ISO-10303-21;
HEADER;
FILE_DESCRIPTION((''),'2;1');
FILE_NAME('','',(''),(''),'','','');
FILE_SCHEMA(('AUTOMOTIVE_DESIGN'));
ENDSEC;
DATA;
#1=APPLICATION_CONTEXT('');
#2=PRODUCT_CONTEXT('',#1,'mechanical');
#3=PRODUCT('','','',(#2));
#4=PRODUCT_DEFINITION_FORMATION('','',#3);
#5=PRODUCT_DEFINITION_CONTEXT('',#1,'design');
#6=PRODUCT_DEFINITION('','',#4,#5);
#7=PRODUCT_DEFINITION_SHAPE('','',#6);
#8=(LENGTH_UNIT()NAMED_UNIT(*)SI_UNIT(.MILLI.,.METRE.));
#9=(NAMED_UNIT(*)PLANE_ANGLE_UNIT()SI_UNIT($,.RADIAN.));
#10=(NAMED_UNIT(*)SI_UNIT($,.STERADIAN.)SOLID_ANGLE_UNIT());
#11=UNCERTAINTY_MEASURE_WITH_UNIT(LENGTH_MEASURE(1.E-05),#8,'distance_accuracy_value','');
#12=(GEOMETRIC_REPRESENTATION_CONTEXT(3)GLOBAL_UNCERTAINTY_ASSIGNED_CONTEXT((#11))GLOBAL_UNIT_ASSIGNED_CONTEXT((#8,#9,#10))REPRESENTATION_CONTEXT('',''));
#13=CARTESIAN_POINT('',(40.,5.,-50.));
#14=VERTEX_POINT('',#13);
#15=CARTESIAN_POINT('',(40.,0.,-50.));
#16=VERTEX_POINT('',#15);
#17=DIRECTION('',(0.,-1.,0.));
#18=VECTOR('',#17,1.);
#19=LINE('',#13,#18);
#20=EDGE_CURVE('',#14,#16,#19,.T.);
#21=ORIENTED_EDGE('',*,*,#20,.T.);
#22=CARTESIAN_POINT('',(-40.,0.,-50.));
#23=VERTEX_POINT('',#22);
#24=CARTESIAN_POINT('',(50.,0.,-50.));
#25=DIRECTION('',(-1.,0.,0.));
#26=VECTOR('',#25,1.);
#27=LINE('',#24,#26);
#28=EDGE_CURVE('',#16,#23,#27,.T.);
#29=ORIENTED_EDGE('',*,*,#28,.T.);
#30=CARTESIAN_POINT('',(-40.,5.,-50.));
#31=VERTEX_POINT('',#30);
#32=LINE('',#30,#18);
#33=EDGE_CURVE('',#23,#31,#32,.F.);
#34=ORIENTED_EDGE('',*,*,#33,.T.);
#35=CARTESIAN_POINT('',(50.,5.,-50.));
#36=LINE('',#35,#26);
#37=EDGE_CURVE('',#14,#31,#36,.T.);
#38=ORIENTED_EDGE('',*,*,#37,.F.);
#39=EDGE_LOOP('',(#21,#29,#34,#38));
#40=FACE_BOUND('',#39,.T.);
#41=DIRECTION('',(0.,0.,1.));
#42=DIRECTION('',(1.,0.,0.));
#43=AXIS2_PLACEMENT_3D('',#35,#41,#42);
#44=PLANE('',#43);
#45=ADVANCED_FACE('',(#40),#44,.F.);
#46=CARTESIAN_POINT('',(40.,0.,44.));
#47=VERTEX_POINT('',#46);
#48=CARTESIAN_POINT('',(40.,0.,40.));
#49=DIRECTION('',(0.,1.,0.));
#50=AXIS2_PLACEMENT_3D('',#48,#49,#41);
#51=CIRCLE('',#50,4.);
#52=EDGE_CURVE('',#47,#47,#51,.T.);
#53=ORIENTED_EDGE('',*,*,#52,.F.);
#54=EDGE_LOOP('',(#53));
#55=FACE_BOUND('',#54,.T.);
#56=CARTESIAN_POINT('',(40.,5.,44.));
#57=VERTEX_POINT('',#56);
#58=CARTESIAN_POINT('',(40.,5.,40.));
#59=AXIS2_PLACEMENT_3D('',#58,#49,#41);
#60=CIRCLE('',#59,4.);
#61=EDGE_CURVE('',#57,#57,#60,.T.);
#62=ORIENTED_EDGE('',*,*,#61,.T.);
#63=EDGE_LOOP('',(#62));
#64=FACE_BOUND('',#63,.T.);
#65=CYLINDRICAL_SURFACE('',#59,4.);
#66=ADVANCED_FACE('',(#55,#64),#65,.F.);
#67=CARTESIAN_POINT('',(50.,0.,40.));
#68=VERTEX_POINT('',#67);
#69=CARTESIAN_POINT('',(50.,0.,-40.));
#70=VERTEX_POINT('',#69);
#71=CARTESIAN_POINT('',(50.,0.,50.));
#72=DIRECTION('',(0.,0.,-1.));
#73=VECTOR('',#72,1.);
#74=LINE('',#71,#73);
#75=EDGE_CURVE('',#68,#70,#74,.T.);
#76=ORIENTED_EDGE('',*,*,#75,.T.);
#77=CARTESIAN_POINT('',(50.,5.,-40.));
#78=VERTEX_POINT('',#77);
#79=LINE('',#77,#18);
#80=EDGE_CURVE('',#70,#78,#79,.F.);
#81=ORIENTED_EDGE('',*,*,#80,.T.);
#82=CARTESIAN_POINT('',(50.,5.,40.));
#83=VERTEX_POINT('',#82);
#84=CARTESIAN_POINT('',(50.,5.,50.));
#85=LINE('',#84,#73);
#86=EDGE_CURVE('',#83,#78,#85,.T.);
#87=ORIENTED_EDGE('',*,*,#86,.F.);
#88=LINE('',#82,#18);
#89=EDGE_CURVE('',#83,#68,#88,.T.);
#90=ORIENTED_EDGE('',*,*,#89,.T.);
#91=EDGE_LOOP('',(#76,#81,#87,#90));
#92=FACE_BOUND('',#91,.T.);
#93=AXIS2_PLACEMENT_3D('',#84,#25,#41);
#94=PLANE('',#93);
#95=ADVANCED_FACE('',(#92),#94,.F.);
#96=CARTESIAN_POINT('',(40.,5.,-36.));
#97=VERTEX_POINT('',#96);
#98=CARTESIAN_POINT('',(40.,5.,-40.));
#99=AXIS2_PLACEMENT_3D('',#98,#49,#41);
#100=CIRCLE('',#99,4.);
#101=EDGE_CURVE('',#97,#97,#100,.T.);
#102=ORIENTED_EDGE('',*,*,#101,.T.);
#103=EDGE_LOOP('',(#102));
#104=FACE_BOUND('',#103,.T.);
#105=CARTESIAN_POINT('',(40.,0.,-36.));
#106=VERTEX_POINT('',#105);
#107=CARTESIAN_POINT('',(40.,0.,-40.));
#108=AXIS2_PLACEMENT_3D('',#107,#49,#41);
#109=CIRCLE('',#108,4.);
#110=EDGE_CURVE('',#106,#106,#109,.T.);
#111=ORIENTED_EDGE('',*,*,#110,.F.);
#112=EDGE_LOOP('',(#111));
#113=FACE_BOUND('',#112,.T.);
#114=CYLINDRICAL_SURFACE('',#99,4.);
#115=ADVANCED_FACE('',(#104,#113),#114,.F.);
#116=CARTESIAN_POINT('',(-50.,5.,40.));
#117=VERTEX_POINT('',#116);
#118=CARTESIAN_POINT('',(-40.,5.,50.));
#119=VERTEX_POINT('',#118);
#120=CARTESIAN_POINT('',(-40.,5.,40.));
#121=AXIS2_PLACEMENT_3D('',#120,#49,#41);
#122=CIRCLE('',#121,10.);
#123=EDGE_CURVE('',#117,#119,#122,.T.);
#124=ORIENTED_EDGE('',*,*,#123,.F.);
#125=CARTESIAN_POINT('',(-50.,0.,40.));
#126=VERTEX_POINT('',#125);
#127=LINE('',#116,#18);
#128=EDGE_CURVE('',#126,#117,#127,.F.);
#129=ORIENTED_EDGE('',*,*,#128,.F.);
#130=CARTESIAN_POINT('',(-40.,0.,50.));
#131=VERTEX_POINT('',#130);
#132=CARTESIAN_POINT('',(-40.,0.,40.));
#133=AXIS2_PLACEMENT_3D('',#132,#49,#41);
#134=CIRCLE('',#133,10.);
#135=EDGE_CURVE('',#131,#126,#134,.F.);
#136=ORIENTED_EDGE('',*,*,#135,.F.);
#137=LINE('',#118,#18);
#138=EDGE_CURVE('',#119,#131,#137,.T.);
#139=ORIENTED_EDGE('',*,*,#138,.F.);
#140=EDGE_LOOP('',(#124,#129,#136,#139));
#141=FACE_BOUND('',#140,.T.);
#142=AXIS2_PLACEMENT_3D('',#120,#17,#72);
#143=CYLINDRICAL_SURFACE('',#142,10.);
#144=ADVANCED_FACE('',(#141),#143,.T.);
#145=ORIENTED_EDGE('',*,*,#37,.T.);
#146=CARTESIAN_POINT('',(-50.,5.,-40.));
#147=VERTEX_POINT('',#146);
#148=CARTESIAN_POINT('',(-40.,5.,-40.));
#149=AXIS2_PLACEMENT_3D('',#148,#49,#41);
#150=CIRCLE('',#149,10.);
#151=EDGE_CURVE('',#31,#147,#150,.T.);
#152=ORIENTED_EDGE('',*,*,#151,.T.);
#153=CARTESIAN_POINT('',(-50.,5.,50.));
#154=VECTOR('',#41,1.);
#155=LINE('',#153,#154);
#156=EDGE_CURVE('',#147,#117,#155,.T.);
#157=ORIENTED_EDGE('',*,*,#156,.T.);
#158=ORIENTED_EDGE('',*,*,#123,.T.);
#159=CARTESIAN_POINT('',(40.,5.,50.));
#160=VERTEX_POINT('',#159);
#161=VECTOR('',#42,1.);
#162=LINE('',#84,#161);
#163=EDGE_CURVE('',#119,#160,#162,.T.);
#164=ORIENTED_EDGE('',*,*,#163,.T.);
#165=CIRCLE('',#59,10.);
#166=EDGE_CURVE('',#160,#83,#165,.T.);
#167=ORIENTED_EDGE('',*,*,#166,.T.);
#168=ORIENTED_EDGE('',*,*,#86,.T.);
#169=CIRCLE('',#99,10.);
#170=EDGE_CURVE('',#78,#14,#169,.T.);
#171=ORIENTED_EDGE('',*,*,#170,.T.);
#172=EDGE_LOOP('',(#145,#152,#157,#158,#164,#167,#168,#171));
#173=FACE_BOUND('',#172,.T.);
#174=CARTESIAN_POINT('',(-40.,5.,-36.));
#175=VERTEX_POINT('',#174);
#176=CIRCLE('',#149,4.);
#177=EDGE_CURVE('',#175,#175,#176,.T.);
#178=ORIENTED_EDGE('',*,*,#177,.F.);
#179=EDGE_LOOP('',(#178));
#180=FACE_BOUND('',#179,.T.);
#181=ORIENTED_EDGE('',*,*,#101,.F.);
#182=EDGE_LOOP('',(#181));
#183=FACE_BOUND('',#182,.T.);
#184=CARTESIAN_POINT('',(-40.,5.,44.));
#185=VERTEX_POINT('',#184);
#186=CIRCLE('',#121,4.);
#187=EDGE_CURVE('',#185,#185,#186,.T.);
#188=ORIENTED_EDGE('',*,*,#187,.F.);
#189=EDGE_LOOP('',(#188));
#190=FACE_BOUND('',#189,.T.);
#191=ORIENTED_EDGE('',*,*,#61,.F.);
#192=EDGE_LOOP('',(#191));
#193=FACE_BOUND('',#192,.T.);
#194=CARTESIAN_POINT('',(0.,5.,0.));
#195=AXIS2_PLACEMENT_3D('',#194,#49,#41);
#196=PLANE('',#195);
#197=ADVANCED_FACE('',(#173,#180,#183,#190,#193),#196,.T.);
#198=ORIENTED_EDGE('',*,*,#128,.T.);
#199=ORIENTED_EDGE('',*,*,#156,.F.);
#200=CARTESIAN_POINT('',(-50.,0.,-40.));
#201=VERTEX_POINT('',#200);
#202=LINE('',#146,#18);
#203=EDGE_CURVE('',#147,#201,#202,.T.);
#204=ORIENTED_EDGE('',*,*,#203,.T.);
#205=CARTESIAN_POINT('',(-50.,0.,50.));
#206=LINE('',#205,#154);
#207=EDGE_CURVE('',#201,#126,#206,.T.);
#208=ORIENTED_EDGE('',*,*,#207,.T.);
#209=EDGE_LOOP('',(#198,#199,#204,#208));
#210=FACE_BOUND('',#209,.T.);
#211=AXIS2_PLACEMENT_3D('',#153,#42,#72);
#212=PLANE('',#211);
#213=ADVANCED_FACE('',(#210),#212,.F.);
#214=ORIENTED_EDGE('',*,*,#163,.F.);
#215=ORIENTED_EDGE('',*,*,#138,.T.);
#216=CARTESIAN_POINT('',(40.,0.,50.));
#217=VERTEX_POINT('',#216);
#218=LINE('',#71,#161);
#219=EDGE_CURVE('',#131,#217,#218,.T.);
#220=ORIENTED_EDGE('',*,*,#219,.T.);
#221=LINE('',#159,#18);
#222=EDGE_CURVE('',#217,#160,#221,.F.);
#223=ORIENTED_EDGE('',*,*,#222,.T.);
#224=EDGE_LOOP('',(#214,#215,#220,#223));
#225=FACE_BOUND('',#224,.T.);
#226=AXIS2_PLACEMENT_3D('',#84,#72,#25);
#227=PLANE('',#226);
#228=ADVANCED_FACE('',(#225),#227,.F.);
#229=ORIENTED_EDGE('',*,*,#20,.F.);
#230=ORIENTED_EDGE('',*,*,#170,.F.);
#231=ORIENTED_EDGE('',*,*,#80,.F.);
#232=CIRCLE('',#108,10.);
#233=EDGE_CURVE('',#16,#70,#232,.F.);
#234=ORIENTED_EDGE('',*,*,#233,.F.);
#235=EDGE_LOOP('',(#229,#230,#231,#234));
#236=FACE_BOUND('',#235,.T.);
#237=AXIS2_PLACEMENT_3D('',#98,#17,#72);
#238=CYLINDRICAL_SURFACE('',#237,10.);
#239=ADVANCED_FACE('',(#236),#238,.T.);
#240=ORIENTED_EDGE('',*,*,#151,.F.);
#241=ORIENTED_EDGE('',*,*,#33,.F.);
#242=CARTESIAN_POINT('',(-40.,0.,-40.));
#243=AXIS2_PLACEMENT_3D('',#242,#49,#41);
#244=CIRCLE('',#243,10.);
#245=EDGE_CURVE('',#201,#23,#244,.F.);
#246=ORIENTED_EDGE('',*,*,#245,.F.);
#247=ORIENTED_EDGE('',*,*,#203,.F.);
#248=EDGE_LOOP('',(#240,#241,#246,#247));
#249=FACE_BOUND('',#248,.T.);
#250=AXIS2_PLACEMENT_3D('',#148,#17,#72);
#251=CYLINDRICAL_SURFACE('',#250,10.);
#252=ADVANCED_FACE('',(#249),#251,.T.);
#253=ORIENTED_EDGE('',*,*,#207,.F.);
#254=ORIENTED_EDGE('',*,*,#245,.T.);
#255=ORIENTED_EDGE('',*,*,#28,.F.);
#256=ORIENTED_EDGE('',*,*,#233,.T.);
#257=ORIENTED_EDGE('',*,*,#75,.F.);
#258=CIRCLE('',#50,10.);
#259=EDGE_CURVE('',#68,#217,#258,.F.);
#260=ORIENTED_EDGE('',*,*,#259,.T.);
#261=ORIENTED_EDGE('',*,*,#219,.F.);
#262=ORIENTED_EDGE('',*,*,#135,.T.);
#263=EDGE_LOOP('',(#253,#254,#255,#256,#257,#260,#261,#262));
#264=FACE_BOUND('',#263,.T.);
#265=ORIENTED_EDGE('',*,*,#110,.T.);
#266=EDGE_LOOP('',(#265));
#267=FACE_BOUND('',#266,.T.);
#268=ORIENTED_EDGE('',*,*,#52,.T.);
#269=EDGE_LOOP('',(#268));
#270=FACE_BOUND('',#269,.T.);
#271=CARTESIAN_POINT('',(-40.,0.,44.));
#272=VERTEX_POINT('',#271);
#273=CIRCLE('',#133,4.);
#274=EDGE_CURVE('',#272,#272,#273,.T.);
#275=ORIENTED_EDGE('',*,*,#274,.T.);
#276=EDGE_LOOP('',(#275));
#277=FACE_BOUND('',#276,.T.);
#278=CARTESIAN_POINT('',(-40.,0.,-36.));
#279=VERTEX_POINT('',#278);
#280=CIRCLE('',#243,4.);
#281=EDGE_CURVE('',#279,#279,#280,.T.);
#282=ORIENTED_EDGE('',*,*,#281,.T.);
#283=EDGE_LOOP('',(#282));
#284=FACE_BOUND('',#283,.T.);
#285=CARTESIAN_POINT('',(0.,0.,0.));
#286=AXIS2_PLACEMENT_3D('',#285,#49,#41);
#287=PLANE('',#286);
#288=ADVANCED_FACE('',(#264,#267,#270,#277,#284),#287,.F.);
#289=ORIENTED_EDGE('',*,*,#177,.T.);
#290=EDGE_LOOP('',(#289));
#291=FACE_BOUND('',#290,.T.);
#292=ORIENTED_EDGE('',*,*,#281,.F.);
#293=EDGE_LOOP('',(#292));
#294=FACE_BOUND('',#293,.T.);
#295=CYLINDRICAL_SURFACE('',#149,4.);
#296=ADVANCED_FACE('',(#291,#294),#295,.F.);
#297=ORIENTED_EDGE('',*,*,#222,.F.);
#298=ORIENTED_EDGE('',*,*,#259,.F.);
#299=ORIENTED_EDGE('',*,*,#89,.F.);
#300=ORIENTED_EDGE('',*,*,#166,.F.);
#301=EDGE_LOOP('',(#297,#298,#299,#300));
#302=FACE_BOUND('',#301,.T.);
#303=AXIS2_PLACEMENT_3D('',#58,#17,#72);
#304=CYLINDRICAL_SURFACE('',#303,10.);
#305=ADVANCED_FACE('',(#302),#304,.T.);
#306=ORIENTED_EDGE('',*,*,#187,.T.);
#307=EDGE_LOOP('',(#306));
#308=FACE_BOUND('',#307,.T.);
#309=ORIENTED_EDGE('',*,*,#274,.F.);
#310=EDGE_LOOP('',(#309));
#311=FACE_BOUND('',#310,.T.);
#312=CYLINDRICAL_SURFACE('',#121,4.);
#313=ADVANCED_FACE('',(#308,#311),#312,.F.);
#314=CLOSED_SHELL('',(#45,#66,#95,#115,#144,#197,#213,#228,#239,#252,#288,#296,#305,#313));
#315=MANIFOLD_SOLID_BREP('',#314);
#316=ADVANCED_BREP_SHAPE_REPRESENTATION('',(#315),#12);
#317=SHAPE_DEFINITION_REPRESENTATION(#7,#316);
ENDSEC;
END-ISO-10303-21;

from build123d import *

# Parameters (mm, degrees)
SKETCH1_W                 = 100
SKETCH1_H                 = 100
BOSS_EXTRUDE1_DEPTH       = 5
F_8_0MM_DOWEL_HOLE1_D     = 8
F_8_0MM_DOWEL_HOLE1_DEPTH = 5
FILLET1_R                 = 10


with BuildPart() as part:
    # Sketch1 → Boss-Extrude1 (new body)
    with BuildSketch(Plane(origin=(0, 0, 0), x_dir=(1, 0, 0), z_dir=(0, 1, 0))):
        Rectangle(SKETCH1_W, SKETCH1_H)
    extrude(amount=BOSS_EXTRUDE1_DEPTH)

    # Ø8.0mm Dowel Hole1
    with Locations(Plane(origin=(0, 5, 0), x_dir=(1, 0, 0), z_dir=(0, 1, 0))):
        with Locations((-40, -40), (-40, 40), (40, 40), (40, -40)):
            Hole(F_8_0MM_DOWEL_HOLE1_D / 2, depth=F_8_0MM_DOWEL_HOLE1_DEPTH)

    # Fillet1
    fillet1_edges = [part.edges().sort_by_distance(p)[0] for p in [
        (-50, 2.5, -50),
        (50, 2.5, -50),
        (50, 2.5, 50),
        (-50, 2.5, 50),
    ]]
    fillet(fillet1_edges, radius=FILLET1_R)


solid = part.part
